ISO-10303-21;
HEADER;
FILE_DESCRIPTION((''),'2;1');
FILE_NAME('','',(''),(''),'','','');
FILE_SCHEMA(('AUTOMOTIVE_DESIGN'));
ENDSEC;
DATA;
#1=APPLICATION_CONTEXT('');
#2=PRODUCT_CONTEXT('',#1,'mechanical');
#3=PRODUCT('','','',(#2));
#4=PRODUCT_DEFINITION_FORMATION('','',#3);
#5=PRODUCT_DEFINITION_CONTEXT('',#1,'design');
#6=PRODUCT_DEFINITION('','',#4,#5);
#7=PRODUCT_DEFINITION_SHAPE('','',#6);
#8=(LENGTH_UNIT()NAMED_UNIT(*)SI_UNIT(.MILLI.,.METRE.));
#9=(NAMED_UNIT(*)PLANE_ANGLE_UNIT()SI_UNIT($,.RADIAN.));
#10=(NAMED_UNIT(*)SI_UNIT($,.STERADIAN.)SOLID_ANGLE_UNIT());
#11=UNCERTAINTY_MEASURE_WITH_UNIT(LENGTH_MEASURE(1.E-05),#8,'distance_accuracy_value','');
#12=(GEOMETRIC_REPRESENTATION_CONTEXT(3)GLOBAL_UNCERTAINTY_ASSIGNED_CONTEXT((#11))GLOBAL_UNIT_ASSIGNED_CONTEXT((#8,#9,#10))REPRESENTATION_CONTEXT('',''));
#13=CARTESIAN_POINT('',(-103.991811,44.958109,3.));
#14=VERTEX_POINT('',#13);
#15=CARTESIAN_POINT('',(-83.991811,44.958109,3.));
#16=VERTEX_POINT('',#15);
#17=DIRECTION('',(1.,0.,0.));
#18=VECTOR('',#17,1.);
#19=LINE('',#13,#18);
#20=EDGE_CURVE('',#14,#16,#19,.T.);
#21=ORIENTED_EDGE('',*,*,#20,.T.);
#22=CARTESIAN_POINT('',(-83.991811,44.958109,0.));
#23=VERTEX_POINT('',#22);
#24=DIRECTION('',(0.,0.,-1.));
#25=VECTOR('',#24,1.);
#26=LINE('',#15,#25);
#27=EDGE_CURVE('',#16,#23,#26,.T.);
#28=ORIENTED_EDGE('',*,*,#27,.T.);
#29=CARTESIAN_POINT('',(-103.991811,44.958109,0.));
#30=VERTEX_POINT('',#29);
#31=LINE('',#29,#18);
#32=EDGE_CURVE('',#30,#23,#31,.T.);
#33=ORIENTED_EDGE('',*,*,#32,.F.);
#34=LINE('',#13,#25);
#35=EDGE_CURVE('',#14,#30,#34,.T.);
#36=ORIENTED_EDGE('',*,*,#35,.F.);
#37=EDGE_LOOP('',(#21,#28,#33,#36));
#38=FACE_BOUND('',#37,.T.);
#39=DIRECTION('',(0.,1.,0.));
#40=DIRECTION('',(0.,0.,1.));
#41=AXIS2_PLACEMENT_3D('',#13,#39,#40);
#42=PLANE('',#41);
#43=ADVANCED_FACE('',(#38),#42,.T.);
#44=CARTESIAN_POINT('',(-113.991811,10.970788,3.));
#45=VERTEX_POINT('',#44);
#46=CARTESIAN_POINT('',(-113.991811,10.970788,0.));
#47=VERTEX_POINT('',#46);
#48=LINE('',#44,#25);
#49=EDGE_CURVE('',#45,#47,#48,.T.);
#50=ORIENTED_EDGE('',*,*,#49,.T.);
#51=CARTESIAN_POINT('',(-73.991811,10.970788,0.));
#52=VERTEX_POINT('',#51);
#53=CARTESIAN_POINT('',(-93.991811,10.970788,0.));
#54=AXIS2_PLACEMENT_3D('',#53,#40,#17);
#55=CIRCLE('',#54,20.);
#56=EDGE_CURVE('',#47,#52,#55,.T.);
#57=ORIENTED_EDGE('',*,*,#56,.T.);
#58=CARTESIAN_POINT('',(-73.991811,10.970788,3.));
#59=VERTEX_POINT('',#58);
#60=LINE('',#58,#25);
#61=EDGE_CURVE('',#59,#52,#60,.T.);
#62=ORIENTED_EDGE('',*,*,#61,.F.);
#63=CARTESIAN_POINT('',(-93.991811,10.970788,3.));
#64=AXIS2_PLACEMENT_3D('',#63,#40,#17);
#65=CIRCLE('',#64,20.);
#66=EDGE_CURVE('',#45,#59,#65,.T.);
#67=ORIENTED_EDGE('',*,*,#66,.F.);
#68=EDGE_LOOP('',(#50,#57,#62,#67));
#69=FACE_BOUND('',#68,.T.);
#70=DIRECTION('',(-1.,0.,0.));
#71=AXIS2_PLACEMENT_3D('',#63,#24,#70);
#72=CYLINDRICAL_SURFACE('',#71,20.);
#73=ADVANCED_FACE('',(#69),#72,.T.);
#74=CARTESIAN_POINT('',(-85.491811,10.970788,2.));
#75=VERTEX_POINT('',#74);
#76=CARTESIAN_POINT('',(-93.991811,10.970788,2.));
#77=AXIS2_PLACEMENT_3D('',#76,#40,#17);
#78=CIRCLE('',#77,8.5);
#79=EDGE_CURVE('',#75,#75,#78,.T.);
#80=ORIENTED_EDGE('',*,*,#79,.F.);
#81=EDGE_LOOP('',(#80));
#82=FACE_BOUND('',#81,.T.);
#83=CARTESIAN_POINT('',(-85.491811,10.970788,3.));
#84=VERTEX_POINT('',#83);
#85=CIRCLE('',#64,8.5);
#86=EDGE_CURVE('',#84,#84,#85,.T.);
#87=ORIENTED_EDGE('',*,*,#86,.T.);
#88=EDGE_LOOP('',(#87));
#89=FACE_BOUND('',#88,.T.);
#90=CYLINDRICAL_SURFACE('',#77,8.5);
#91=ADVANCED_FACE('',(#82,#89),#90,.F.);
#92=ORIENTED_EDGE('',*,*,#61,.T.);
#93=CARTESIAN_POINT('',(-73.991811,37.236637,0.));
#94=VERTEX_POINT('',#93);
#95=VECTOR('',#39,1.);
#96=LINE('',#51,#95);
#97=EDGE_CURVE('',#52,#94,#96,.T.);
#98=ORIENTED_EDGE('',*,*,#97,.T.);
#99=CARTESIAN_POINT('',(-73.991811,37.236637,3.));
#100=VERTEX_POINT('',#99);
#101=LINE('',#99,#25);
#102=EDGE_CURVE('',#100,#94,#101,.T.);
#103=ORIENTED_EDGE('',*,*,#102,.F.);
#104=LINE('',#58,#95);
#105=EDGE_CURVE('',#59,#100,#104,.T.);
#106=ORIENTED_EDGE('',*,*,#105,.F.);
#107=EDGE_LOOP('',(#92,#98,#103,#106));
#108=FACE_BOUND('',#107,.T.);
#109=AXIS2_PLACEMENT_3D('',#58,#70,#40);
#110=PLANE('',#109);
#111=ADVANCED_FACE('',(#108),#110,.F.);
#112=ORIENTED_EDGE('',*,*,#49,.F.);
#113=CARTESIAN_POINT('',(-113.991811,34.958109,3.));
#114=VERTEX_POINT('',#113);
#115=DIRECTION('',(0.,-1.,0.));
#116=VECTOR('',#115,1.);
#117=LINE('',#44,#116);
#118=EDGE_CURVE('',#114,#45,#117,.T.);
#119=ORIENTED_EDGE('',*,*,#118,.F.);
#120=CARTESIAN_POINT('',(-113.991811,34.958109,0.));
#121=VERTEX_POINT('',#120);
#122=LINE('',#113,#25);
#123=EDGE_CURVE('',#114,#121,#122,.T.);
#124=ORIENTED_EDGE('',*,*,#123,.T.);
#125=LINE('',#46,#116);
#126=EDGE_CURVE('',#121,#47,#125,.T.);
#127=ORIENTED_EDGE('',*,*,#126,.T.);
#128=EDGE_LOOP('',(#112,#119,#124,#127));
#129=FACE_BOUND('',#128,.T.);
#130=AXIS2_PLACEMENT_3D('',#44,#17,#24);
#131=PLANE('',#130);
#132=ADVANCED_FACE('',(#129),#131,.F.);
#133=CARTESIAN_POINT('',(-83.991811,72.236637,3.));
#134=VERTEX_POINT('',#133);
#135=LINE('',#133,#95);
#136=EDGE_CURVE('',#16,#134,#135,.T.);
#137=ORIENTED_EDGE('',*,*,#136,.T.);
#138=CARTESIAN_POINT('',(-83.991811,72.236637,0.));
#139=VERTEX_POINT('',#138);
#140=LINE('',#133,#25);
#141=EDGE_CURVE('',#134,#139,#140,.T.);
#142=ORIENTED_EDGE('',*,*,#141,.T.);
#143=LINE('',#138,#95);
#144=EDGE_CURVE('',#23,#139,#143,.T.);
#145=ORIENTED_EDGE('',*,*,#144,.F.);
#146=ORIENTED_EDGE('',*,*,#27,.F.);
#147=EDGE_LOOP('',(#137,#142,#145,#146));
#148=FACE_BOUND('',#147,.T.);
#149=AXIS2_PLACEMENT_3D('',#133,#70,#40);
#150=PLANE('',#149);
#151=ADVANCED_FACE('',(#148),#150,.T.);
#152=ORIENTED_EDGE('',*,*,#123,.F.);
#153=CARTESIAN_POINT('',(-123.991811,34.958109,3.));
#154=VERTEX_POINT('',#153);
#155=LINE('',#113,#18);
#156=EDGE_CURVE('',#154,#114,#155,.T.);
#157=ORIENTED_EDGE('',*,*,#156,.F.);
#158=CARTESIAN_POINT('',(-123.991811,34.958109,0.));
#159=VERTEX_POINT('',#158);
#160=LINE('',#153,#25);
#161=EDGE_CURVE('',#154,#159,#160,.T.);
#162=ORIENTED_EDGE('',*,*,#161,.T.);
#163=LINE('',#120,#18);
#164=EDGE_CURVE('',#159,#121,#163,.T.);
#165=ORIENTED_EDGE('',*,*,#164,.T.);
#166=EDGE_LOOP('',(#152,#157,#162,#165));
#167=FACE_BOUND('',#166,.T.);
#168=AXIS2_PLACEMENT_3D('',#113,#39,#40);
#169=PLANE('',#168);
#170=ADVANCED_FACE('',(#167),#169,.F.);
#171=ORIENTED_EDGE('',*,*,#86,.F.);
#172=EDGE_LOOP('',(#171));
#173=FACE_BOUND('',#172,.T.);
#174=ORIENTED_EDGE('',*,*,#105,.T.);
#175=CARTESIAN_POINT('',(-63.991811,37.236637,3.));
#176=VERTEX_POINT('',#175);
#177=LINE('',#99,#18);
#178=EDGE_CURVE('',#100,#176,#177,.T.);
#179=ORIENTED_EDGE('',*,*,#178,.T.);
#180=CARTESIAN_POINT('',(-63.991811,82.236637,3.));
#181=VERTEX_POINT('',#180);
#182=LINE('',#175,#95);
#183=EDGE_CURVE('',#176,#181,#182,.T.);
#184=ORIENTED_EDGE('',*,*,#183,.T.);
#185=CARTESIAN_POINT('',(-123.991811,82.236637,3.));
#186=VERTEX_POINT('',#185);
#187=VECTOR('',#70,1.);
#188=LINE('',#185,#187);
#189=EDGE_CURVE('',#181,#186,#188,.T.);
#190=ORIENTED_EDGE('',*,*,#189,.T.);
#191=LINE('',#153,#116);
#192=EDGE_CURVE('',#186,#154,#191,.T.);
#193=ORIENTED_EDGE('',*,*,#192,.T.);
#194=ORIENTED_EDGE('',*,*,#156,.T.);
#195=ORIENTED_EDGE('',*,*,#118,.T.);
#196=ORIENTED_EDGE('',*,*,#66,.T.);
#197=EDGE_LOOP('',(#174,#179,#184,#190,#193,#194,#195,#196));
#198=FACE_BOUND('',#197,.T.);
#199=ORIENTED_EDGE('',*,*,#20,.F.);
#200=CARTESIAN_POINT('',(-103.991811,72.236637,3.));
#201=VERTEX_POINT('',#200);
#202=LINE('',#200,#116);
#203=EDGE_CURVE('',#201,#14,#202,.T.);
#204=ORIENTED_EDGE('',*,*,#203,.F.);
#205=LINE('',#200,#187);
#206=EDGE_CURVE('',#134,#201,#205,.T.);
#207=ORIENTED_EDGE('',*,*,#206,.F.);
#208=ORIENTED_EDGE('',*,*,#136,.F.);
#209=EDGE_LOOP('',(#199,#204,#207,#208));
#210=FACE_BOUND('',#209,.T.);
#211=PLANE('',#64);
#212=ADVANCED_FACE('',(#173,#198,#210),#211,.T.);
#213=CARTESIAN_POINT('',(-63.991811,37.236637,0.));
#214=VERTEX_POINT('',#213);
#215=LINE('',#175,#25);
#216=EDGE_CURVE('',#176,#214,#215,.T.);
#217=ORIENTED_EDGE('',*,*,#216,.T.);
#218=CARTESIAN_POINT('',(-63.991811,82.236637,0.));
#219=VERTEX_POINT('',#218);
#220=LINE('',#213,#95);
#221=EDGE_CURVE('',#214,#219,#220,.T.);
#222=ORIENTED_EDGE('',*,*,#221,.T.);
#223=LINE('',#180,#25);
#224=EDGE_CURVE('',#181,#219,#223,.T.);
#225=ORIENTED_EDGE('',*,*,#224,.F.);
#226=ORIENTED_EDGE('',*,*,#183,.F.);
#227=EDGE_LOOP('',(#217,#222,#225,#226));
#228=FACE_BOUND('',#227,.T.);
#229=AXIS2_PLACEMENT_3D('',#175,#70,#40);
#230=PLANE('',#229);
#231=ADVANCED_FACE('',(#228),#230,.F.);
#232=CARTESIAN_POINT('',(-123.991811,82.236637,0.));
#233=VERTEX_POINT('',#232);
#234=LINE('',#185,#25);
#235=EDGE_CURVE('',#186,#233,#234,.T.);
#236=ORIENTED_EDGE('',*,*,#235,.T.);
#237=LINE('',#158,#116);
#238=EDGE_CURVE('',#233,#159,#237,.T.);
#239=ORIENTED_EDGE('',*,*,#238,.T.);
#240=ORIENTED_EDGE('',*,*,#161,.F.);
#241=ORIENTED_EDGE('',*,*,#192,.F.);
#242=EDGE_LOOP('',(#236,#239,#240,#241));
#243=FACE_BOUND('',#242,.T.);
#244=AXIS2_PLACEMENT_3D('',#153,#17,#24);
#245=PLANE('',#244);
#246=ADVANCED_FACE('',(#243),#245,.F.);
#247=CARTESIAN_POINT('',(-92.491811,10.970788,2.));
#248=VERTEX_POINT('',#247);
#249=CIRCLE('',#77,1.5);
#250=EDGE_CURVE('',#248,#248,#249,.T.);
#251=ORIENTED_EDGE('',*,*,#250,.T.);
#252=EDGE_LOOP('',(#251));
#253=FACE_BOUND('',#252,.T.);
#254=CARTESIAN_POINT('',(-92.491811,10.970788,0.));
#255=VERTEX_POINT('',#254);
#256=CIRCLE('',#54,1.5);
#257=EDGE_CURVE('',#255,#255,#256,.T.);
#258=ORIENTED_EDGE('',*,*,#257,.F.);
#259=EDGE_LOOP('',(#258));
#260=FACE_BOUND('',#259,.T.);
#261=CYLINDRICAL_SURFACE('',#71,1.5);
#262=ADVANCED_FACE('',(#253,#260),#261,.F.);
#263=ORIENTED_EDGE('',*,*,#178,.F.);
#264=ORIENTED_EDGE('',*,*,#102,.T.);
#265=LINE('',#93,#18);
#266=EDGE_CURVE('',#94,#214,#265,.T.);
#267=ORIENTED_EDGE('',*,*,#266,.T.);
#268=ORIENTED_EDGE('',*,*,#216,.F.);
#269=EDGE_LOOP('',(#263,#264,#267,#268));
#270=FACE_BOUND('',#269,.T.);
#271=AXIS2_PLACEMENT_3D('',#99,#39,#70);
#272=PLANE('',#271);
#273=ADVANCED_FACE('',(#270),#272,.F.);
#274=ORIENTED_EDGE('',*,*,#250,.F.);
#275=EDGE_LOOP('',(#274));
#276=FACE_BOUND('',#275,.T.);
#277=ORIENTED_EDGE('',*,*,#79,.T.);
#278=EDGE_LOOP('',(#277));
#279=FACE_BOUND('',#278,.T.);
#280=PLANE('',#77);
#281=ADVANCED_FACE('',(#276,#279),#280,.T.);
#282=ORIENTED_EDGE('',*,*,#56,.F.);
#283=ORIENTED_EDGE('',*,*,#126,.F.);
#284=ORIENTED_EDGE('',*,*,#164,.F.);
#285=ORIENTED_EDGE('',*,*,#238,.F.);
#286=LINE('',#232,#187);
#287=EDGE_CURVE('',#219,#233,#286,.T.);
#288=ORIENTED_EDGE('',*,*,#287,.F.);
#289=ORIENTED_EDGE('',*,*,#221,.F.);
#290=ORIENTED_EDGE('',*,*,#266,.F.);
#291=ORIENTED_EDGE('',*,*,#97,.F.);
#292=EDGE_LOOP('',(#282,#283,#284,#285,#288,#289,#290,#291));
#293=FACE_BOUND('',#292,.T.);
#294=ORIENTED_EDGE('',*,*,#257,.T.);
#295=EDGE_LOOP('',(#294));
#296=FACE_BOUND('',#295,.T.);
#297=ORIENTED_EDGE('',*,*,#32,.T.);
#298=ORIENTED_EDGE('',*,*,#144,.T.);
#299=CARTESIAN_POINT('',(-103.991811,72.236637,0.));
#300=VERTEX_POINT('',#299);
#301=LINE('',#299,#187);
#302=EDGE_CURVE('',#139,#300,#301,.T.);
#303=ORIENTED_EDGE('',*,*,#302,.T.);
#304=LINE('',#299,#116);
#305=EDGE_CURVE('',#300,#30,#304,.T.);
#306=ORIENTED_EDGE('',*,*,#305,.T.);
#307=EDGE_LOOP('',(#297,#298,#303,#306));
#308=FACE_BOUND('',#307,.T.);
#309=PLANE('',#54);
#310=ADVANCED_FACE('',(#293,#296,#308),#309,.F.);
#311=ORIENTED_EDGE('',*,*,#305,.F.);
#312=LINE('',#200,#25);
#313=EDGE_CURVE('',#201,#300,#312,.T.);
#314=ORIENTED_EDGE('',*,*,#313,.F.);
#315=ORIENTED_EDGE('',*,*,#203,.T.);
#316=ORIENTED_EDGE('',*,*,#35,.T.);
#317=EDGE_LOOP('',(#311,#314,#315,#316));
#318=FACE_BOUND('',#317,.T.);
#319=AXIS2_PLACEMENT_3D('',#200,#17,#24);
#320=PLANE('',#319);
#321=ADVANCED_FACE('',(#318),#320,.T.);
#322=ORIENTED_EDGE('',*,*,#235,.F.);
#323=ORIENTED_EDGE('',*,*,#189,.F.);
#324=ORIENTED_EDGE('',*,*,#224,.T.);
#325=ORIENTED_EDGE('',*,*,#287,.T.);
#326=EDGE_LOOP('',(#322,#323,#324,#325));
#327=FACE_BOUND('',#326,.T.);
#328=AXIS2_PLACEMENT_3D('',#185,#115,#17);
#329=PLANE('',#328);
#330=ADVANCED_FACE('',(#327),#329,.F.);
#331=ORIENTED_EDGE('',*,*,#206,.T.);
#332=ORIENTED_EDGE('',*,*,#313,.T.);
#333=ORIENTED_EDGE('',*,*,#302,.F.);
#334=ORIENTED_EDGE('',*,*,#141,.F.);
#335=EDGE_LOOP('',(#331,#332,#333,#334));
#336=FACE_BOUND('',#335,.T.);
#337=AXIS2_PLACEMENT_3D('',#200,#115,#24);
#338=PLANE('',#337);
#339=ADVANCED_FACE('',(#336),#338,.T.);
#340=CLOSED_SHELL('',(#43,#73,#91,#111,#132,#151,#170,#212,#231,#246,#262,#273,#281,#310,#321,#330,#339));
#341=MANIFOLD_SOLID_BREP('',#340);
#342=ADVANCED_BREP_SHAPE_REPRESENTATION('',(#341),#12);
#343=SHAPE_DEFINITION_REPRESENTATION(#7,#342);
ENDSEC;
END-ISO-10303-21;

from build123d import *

# Parameters (mm, degrees)
CROQUIS1_R              = 1.5
CROQUIS1_W              = 20
CROQUIS1_H              = 27.278528679
SALIENTE_EXTRUIR1_DEPTH = 3
CROQUIS2_R              = 8.5
CORTAR_EXTRUIR1_DEPTH   = 1


with BuildPart() as part:
    # Croquis1 → Saliente-Extruir1 (new body)
    with BuildSketch(Plane.XY):
        with BuildLine():
            Line((-113.991811363, 10.970788205), (-113.991811363, 34.958108792))
            Line((-113.991811363, 34.958108792), (-123.991811363, 34.958108792))
            Line((-123.991811363, 34.958108792), (-123.991811363, 82.236637471))
            Line((-123.991811363, 82.236637471), (-63.991811363, 82.236637471))
            Line((-63.991811363, 82.236637471), (-63.991811363, 37.236637471))
            Line((-63.991811363, 37.236637471), (-73.991811363, 37.236637471))
            Line((-73.991811363, 37.236637471), (-73.991811363, 10.970788205))
            ThreePointArc((-73.991811363, 10.970788205), (-93.991811363, -9.029211795), (-113.991811363, 10.970788205))
        make_face()
        with Locations((-93.991811363, 10.970788205)):
            Circle(CROQUIS1_R, mode=Mode.SUBTRACT)
        with Locations((-93.991811363, 58.597373132)):
            Rectangle(CROQUIS1_W, CROQUIS1_H, mode=Mode.SUBTRACT)
    extrude(amount=SALIENTE_EXTRUIR1_DEPTH)

    # Croquis2 → Cortar-Extruir1 (cut)
    with BuildSketch(Plane.XY.offset(3)):
        with Locations((-93.991811363, 10.970788205)):
            Circle(CROQUIS2_R)
    extrude(amount=-CORTAR_EXTRUIR1_DEPTH, mode=Mode.SUBTRACT)


solid = part.part
